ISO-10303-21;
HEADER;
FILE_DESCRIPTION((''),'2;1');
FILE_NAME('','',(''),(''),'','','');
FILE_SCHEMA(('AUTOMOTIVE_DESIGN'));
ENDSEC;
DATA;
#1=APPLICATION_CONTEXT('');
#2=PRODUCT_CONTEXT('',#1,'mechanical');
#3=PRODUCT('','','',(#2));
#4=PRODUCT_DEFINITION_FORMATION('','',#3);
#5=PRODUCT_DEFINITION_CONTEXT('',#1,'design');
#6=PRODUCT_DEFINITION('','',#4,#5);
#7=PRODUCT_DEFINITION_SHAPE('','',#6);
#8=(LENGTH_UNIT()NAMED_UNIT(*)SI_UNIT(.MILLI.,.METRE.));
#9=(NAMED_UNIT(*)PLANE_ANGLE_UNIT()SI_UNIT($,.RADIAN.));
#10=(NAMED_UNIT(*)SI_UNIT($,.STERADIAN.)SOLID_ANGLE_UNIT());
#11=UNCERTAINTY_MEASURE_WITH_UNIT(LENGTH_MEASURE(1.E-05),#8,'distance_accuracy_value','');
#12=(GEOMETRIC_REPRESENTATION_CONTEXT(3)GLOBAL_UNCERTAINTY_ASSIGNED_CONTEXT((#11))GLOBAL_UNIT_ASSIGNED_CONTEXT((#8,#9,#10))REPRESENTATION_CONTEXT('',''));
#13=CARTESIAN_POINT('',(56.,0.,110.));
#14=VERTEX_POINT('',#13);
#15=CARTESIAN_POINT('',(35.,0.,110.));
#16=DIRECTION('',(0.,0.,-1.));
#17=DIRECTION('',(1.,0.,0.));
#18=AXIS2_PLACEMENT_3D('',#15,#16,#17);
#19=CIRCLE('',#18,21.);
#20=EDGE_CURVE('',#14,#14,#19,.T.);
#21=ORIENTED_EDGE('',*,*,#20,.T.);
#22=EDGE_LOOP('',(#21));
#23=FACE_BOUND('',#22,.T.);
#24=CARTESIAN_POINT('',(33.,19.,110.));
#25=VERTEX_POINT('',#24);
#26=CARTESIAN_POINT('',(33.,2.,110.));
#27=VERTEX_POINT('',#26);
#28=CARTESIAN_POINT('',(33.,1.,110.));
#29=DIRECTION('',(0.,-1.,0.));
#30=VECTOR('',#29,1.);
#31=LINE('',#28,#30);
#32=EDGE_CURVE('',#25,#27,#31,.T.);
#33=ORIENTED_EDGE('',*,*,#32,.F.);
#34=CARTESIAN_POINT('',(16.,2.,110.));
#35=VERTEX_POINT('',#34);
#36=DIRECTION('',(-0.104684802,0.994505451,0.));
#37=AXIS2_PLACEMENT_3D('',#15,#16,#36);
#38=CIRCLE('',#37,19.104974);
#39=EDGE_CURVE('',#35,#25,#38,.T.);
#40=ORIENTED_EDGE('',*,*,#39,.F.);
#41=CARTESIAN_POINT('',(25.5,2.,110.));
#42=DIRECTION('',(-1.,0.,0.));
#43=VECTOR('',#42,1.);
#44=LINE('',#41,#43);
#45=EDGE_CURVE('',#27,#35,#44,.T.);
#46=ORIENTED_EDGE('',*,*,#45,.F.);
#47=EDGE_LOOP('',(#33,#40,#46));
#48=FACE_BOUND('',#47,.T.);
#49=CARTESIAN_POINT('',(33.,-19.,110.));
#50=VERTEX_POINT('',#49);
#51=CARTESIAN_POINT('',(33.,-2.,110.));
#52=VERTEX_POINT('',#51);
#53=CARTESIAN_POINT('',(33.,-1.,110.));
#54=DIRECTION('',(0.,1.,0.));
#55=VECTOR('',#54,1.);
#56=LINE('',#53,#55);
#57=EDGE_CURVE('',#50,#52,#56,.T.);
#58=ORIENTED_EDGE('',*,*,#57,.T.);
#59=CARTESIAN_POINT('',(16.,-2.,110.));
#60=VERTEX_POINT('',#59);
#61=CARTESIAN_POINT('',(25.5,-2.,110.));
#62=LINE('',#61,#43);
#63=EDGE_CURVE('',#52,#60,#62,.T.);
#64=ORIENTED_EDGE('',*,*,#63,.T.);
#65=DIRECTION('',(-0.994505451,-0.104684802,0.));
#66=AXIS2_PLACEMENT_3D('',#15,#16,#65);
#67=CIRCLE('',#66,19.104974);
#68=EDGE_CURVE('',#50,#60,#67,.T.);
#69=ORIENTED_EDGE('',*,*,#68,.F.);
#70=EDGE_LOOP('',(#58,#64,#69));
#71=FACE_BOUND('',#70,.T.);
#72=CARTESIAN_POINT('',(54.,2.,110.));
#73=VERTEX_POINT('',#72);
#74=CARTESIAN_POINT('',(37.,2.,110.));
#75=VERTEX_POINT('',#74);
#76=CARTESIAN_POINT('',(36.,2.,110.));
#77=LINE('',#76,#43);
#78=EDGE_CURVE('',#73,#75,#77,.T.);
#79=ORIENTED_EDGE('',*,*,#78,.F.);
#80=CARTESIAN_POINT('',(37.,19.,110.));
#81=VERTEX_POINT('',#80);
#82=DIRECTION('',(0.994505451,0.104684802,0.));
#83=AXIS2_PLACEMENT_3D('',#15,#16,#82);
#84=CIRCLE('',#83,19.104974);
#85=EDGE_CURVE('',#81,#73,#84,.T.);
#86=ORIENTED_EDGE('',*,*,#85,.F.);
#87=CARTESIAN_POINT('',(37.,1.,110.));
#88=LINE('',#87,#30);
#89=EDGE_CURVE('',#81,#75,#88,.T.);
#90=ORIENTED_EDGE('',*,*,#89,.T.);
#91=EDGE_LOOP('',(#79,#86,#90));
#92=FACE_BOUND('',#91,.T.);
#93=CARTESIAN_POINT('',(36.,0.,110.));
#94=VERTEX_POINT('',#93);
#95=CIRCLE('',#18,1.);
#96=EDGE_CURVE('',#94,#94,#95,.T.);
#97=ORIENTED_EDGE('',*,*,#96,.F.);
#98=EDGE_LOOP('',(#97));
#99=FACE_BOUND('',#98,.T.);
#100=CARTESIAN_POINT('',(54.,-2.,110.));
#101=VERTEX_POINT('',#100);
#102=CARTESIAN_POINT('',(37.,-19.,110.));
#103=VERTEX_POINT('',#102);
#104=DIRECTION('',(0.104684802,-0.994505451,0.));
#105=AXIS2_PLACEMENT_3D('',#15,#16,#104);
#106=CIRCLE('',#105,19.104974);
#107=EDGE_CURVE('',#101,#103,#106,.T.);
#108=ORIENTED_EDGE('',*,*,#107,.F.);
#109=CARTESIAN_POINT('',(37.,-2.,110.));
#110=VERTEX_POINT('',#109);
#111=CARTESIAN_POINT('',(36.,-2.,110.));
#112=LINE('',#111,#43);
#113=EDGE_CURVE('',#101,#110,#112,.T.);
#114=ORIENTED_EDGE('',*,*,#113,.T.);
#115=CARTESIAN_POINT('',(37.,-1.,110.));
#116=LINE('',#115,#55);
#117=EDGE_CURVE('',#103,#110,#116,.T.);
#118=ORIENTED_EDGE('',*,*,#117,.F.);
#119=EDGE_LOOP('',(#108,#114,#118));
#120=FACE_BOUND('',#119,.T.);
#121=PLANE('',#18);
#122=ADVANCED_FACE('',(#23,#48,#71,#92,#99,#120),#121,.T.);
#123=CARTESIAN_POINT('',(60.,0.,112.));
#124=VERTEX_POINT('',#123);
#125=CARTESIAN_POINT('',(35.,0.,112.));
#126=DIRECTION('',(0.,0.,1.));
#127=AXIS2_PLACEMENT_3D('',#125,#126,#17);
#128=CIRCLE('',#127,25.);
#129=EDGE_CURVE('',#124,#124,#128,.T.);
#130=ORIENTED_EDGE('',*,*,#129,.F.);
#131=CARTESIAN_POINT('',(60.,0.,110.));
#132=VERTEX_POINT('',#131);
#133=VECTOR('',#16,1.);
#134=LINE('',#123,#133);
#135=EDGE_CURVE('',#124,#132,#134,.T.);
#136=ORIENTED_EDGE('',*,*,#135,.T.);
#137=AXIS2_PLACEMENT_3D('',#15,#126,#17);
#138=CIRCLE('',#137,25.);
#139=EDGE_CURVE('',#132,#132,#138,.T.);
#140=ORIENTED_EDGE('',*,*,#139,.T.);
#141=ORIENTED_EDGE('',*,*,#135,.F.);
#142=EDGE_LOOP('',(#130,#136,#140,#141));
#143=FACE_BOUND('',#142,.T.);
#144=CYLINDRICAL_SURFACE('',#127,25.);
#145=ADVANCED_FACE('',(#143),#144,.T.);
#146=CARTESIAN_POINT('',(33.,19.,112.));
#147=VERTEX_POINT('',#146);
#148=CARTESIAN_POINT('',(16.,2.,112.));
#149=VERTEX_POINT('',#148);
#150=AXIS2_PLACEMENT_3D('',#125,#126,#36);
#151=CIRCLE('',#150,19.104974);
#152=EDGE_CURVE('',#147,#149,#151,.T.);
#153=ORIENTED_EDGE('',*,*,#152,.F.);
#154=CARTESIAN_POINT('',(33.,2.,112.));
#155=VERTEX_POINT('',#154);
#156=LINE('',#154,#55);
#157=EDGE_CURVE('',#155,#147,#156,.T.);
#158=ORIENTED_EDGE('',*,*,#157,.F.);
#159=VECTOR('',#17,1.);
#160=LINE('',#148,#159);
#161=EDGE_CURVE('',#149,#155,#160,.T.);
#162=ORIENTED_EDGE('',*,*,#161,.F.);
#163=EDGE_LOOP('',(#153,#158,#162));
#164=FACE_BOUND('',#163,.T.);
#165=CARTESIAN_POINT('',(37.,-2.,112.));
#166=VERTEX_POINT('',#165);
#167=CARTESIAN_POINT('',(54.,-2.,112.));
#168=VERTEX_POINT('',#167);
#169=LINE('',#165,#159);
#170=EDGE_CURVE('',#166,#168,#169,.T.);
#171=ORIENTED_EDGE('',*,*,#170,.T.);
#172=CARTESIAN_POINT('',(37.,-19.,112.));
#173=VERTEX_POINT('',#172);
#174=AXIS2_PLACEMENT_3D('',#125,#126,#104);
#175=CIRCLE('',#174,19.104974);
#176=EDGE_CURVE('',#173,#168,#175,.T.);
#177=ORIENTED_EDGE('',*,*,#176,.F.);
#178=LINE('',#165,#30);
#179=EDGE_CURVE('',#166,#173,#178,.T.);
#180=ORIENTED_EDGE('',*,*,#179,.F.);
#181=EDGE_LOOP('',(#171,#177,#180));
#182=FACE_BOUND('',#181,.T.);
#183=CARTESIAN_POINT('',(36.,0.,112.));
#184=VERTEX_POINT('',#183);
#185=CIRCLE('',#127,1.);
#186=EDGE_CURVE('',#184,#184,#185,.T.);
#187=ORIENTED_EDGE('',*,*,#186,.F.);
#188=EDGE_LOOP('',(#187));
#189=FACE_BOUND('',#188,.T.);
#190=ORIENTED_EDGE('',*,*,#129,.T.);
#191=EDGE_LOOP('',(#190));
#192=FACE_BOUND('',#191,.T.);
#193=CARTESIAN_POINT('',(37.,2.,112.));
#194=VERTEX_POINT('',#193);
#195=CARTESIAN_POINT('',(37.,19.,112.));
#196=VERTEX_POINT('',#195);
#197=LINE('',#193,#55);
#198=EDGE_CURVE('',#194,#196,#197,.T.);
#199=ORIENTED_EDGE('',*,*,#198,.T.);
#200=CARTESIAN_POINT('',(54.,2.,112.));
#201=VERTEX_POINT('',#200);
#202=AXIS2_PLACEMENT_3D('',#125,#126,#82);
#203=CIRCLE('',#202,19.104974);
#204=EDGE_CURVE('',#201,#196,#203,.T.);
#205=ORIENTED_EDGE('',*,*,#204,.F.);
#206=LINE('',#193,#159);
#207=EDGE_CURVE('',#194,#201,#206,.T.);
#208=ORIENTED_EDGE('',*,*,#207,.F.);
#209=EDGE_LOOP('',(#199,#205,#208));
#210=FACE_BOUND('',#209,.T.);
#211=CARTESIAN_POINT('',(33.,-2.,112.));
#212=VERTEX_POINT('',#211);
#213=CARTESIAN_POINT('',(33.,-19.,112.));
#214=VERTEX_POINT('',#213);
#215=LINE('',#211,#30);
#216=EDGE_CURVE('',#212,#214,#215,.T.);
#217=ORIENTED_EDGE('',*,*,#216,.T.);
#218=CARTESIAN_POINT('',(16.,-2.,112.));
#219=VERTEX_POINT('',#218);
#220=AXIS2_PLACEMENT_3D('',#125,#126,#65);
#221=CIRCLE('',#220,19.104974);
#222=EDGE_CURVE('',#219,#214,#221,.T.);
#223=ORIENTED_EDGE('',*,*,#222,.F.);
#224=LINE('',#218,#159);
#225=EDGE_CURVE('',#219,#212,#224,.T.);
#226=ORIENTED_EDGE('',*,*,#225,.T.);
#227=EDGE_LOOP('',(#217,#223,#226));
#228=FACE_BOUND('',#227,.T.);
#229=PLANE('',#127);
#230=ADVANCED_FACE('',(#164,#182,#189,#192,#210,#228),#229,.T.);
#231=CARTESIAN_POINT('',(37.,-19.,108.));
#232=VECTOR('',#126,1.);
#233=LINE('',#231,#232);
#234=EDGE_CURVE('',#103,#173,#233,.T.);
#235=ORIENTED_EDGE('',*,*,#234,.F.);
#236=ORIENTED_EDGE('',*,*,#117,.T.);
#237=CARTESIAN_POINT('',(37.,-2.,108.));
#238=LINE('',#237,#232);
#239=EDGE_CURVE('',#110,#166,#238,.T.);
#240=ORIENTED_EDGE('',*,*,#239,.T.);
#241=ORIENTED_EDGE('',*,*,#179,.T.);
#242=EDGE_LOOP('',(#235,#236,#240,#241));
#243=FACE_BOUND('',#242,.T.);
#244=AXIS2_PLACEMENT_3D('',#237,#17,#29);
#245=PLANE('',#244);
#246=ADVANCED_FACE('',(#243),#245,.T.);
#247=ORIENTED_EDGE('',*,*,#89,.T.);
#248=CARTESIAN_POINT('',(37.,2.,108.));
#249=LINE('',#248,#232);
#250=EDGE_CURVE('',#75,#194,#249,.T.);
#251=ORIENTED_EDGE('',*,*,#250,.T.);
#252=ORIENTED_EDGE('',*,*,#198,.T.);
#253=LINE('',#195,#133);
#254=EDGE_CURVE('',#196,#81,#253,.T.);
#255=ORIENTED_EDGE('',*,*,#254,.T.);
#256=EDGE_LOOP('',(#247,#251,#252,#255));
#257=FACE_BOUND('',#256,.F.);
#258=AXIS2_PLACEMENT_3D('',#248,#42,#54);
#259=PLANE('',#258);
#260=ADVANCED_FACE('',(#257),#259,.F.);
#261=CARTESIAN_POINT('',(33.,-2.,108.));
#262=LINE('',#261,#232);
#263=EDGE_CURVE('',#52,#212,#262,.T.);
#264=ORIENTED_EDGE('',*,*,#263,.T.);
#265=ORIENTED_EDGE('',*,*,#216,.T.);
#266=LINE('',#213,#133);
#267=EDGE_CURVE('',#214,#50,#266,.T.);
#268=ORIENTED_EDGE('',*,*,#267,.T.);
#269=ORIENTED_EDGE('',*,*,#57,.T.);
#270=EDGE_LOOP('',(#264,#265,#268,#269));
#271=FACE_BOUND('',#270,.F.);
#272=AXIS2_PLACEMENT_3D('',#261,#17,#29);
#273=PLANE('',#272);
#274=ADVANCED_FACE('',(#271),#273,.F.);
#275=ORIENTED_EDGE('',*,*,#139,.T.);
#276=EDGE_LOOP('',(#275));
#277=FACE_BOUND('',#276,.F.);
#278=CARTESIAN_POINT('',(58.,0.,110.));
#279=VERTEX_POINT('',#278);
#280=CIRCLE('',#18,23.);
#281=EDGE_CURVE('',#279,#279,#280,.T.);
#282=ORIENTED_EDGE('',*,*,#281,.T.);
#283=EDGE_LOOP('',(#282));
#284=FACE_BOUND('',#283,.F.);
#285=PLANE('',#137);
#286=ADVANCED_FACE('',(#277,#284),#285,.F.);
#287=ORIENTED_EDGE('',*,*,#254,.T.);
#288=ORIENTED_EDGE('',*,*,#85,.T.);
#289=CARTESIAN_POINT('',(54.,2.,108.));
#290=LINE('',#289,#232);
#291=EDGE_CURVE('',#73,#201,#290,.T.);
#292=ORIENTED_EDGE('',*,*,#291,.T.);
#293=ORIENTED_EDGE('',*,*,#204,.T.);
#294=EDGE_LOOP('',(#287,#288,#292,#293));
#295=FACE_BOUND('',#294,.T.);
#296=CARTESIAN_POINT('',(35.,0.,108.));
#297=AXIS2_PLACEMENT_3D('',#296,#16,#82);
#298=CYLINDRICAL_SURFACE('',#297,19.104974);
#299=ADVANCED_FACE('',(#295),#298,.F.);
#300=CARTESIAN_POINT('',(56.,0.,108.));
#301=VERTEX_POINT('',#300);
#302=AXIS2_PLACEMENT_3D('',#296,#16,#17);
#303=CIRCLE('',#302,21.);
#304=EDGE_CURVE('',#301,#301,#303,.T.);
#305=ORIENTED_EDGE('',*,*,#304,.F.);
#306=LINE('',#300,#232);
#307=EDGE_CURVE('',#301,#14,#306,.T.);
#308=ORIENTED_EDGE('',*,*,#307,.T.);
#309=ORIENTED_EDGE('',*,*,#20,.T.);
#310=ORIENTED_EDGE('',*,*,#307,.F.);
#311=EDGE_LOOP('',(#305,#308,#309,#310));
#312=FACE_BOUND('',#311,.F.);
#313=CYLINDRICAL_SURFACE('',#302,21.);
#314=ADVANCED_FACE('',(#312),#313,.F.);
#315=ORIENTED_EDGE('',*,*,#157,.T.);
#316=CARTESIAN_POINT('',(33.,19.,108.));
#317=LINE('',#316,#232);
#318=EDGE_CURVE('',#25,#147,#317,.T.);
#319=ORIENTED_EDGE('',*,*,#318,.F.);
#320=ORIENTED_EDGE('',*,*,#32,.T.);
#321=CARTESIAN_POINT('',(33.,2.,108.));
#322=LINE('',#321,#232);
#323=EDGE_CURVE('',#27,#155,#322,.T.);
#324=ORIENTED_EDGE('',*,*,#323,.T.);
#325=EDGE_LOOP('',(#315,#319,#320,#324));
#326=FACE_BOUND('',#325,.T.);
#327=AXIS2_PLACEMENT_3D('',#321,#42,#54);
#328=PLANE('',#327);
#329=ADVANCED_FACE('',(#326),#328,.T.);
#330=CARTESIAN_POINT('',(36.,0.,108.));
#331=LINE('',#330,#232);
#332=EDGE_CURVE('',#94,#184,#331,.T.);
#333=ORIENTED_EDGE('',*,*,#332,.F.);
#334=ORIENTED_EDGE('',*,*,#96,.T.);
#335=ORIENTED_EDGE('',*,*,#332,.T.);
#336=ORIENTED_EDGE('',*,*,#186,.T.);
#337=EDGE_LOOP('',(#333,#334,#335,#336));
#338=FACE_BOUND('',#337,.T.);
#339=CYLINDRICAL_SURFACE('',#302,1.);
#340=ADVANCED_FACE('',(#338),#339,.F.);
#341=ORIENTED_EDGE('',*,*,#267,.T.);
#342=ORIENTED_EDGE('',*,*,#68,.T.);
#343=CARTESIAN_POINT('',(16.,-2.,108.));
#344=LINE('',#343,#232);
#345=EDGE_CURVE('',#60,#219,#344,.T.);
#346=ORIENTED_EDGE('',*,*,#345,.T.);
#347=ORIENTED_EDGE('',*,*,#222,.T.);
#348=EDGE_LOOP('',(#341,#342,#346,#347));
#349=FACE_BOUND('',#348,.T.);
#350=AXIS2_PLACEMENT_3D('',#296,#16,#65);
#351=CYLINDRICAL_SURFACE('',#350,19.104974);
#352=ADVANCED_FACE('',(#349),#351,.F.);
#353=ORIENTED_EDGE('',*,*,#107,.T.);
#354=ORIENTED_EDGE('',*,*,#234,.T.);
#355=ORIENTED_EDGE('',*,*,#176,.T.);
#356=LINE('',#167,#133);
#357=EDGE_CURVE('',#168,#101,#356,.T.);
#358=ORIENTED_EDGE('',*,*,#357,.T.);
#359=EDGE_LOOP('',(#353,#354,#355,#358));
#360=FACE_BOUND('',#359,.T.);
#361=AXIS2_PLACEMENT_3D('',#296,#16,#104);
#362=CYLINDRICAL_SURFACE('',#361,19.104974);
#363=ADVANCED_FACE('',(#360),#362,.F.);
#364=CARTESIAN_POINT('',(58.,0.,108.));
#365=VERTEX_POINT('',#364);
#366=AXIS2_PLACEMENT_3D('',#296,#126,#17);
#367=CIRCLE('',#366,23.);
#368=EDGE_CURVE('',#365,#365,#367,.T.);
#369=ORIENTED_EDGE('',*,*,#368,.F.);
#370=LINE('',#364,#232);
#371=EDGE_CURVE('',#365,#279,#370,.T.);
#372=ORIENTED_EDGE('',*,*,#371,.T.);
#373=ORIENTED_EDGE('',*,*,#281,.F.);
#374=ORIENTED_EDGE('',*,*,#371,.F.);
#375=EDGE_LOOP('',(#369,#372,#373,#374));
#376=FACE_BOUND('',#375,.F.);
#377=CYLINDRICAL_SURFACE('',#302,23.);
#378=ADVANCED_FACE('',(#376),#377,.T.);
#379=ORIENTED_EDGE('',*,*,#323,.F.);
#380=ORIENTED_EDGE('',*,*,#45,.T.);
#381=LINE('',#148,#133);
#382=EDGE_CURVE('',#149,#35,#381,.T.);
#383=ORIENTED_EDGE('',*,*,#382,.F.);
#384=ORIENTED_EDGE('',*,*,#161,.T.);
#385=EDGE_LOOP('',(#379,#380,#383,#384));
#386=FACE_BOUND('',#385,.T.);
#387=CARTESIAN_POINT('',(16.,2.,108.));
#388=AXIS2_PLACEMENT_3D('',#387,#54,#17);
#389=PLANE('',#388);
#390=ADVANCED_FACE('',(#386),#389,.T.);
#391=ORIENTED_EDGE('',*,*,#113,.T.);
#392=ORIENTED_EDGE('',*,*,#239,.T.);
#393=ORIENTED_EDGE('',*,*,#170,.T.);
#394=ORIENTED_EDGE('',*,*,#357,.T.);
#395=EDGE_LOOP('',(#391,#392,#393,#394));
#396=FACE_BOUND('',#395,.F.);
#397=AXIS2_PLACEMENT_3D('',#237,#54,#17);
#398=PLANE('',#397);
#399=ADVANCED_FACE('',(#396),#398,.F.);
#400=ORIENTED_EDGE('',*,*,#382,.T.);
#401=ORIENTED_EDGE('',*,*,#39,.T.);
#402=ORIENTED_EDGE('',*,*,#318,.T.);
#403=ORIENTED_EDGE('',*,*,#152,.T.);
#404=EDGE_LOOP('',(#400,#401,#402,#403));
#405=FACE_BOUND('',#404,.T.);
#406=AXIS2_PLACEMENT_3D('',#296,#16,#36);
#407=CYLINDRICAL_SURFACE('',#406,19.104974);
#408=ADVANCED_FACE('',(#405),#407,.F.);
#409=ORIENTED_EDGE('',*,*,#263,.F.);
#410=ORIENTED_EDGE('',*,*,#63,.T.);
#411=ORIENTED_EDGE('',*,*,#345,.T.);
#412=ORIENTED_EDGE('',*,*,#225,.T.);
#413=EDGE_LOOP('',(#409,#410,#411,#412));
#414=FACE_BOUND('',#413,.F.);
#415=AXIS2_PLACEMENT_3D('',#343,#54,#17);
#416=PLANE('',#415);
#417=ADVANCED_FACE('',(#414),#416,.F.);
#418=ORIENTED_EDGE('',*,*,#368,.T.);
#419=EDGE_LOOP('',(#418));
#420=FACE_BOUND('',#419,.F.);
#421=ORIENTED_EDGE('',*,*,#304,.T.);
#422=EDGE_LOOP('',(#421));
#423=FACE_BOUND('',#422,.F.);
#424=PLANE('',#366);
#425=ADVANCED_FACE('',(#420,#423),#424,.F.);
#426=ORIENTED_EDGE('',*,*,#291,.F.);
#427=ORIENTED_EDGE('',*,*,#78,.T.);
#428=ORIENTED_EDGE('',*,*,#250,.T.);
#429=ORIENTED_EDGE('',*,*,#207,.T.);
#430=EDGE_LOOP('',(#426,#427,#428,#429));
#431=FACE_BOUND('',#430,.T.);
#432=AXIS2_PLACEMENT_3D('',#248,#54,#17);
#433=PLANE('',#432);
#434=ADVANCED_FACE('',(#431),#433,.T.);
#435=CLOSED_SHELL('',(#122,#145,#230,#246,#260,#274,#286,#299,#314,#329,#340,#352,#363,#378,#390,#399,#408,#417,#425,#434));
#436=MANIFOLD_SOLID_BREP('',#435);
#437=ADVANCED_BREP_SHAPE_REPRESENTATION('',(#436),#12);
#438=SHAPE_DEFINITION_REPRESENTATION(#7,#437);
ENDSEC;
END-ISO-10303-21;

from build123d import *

# Parameters (mm, degrees)
SKETCH003_R     = 23
SKETCH003_R_2   = 1
PAD002_DEPTH    = 4
SKETCH005_R     = 25
SKETCH005_R_2   = 19.104973
PAD003_DEPTH    = 2
SKETCH006_R     = 21
POCKET003_DEPTH = 2


with BuildPart() as part:
    # Sketch003 → Pad002 (new body)
    with BuildSketch(Plane.XY.offset(108)):
        with Locations((35, 0)):
            Circle(SKETCH003_R)
        with Locations((35, 0)):
            Circle(SKETCH003_R_2, mode=Mode.SUBTRACT)
        with BuildLine():
            ThreePointArc((16, -2), (21.490744, -13.509256), (33, -19))
            Line((33, -2), (33, -19))
            Line((16, -2), (33, -2))
        make_face(mode=Mode.SUBTRACT)
        with BuildLine():
            Line((16, 2), (33, 2))
            Line((33, 2), (33, 19))
            ThreePointArc((33, 19), (21.490744, 13.509256), (16, 2))
        make_face(mode=Mode.SUBTRACT)
        with BuildLine():
            ThreePointArc((54, 2), (48.509256, 13.509256), (37, 19))
            Line((37, 2), (37, 19))
            Line((37, 2), (54, 2))
        make_face(mode=Mode.SUBTRACT)
        with BuildLine():
            Line((37, -2), (37, -19))
            ThreePointArc((37, -19), (48.509256, -13.509256), (54, -2))
            Line((37, -2), (54, -2))
        make_face(mode=Mode.SUBTRACT)
    extrude(amount=PAD002_DEPTH)

    # Sketch005 (on Face16 of Pad002) → Pad003 (join)
    with BuildSketch(Plane.XY.offset(112)):
        with Locations((35, 0)):
            Circle(SKETCH005_R)
        with Locations((35, 0)):
            Circle(SKETCH005_R_2, mode=Mode.SUBTRACT)
    extrude(amount=-PAD003_DEPTH)

    # Sketch006 (on Face2 of Pad003) → Pocket003 (cut)
    with BuildSketch(Plane(origin=(0, 0, 108), x_dir=(1, 0, 0), z_dir=(0, 0, -1))):
        with Locations((35, 0)):
            Circle(SKETCH006_R)
    extrude(amount=-POCKET003_DEPTH, mode=Mode.SUBTRACT)


solid = part.part
